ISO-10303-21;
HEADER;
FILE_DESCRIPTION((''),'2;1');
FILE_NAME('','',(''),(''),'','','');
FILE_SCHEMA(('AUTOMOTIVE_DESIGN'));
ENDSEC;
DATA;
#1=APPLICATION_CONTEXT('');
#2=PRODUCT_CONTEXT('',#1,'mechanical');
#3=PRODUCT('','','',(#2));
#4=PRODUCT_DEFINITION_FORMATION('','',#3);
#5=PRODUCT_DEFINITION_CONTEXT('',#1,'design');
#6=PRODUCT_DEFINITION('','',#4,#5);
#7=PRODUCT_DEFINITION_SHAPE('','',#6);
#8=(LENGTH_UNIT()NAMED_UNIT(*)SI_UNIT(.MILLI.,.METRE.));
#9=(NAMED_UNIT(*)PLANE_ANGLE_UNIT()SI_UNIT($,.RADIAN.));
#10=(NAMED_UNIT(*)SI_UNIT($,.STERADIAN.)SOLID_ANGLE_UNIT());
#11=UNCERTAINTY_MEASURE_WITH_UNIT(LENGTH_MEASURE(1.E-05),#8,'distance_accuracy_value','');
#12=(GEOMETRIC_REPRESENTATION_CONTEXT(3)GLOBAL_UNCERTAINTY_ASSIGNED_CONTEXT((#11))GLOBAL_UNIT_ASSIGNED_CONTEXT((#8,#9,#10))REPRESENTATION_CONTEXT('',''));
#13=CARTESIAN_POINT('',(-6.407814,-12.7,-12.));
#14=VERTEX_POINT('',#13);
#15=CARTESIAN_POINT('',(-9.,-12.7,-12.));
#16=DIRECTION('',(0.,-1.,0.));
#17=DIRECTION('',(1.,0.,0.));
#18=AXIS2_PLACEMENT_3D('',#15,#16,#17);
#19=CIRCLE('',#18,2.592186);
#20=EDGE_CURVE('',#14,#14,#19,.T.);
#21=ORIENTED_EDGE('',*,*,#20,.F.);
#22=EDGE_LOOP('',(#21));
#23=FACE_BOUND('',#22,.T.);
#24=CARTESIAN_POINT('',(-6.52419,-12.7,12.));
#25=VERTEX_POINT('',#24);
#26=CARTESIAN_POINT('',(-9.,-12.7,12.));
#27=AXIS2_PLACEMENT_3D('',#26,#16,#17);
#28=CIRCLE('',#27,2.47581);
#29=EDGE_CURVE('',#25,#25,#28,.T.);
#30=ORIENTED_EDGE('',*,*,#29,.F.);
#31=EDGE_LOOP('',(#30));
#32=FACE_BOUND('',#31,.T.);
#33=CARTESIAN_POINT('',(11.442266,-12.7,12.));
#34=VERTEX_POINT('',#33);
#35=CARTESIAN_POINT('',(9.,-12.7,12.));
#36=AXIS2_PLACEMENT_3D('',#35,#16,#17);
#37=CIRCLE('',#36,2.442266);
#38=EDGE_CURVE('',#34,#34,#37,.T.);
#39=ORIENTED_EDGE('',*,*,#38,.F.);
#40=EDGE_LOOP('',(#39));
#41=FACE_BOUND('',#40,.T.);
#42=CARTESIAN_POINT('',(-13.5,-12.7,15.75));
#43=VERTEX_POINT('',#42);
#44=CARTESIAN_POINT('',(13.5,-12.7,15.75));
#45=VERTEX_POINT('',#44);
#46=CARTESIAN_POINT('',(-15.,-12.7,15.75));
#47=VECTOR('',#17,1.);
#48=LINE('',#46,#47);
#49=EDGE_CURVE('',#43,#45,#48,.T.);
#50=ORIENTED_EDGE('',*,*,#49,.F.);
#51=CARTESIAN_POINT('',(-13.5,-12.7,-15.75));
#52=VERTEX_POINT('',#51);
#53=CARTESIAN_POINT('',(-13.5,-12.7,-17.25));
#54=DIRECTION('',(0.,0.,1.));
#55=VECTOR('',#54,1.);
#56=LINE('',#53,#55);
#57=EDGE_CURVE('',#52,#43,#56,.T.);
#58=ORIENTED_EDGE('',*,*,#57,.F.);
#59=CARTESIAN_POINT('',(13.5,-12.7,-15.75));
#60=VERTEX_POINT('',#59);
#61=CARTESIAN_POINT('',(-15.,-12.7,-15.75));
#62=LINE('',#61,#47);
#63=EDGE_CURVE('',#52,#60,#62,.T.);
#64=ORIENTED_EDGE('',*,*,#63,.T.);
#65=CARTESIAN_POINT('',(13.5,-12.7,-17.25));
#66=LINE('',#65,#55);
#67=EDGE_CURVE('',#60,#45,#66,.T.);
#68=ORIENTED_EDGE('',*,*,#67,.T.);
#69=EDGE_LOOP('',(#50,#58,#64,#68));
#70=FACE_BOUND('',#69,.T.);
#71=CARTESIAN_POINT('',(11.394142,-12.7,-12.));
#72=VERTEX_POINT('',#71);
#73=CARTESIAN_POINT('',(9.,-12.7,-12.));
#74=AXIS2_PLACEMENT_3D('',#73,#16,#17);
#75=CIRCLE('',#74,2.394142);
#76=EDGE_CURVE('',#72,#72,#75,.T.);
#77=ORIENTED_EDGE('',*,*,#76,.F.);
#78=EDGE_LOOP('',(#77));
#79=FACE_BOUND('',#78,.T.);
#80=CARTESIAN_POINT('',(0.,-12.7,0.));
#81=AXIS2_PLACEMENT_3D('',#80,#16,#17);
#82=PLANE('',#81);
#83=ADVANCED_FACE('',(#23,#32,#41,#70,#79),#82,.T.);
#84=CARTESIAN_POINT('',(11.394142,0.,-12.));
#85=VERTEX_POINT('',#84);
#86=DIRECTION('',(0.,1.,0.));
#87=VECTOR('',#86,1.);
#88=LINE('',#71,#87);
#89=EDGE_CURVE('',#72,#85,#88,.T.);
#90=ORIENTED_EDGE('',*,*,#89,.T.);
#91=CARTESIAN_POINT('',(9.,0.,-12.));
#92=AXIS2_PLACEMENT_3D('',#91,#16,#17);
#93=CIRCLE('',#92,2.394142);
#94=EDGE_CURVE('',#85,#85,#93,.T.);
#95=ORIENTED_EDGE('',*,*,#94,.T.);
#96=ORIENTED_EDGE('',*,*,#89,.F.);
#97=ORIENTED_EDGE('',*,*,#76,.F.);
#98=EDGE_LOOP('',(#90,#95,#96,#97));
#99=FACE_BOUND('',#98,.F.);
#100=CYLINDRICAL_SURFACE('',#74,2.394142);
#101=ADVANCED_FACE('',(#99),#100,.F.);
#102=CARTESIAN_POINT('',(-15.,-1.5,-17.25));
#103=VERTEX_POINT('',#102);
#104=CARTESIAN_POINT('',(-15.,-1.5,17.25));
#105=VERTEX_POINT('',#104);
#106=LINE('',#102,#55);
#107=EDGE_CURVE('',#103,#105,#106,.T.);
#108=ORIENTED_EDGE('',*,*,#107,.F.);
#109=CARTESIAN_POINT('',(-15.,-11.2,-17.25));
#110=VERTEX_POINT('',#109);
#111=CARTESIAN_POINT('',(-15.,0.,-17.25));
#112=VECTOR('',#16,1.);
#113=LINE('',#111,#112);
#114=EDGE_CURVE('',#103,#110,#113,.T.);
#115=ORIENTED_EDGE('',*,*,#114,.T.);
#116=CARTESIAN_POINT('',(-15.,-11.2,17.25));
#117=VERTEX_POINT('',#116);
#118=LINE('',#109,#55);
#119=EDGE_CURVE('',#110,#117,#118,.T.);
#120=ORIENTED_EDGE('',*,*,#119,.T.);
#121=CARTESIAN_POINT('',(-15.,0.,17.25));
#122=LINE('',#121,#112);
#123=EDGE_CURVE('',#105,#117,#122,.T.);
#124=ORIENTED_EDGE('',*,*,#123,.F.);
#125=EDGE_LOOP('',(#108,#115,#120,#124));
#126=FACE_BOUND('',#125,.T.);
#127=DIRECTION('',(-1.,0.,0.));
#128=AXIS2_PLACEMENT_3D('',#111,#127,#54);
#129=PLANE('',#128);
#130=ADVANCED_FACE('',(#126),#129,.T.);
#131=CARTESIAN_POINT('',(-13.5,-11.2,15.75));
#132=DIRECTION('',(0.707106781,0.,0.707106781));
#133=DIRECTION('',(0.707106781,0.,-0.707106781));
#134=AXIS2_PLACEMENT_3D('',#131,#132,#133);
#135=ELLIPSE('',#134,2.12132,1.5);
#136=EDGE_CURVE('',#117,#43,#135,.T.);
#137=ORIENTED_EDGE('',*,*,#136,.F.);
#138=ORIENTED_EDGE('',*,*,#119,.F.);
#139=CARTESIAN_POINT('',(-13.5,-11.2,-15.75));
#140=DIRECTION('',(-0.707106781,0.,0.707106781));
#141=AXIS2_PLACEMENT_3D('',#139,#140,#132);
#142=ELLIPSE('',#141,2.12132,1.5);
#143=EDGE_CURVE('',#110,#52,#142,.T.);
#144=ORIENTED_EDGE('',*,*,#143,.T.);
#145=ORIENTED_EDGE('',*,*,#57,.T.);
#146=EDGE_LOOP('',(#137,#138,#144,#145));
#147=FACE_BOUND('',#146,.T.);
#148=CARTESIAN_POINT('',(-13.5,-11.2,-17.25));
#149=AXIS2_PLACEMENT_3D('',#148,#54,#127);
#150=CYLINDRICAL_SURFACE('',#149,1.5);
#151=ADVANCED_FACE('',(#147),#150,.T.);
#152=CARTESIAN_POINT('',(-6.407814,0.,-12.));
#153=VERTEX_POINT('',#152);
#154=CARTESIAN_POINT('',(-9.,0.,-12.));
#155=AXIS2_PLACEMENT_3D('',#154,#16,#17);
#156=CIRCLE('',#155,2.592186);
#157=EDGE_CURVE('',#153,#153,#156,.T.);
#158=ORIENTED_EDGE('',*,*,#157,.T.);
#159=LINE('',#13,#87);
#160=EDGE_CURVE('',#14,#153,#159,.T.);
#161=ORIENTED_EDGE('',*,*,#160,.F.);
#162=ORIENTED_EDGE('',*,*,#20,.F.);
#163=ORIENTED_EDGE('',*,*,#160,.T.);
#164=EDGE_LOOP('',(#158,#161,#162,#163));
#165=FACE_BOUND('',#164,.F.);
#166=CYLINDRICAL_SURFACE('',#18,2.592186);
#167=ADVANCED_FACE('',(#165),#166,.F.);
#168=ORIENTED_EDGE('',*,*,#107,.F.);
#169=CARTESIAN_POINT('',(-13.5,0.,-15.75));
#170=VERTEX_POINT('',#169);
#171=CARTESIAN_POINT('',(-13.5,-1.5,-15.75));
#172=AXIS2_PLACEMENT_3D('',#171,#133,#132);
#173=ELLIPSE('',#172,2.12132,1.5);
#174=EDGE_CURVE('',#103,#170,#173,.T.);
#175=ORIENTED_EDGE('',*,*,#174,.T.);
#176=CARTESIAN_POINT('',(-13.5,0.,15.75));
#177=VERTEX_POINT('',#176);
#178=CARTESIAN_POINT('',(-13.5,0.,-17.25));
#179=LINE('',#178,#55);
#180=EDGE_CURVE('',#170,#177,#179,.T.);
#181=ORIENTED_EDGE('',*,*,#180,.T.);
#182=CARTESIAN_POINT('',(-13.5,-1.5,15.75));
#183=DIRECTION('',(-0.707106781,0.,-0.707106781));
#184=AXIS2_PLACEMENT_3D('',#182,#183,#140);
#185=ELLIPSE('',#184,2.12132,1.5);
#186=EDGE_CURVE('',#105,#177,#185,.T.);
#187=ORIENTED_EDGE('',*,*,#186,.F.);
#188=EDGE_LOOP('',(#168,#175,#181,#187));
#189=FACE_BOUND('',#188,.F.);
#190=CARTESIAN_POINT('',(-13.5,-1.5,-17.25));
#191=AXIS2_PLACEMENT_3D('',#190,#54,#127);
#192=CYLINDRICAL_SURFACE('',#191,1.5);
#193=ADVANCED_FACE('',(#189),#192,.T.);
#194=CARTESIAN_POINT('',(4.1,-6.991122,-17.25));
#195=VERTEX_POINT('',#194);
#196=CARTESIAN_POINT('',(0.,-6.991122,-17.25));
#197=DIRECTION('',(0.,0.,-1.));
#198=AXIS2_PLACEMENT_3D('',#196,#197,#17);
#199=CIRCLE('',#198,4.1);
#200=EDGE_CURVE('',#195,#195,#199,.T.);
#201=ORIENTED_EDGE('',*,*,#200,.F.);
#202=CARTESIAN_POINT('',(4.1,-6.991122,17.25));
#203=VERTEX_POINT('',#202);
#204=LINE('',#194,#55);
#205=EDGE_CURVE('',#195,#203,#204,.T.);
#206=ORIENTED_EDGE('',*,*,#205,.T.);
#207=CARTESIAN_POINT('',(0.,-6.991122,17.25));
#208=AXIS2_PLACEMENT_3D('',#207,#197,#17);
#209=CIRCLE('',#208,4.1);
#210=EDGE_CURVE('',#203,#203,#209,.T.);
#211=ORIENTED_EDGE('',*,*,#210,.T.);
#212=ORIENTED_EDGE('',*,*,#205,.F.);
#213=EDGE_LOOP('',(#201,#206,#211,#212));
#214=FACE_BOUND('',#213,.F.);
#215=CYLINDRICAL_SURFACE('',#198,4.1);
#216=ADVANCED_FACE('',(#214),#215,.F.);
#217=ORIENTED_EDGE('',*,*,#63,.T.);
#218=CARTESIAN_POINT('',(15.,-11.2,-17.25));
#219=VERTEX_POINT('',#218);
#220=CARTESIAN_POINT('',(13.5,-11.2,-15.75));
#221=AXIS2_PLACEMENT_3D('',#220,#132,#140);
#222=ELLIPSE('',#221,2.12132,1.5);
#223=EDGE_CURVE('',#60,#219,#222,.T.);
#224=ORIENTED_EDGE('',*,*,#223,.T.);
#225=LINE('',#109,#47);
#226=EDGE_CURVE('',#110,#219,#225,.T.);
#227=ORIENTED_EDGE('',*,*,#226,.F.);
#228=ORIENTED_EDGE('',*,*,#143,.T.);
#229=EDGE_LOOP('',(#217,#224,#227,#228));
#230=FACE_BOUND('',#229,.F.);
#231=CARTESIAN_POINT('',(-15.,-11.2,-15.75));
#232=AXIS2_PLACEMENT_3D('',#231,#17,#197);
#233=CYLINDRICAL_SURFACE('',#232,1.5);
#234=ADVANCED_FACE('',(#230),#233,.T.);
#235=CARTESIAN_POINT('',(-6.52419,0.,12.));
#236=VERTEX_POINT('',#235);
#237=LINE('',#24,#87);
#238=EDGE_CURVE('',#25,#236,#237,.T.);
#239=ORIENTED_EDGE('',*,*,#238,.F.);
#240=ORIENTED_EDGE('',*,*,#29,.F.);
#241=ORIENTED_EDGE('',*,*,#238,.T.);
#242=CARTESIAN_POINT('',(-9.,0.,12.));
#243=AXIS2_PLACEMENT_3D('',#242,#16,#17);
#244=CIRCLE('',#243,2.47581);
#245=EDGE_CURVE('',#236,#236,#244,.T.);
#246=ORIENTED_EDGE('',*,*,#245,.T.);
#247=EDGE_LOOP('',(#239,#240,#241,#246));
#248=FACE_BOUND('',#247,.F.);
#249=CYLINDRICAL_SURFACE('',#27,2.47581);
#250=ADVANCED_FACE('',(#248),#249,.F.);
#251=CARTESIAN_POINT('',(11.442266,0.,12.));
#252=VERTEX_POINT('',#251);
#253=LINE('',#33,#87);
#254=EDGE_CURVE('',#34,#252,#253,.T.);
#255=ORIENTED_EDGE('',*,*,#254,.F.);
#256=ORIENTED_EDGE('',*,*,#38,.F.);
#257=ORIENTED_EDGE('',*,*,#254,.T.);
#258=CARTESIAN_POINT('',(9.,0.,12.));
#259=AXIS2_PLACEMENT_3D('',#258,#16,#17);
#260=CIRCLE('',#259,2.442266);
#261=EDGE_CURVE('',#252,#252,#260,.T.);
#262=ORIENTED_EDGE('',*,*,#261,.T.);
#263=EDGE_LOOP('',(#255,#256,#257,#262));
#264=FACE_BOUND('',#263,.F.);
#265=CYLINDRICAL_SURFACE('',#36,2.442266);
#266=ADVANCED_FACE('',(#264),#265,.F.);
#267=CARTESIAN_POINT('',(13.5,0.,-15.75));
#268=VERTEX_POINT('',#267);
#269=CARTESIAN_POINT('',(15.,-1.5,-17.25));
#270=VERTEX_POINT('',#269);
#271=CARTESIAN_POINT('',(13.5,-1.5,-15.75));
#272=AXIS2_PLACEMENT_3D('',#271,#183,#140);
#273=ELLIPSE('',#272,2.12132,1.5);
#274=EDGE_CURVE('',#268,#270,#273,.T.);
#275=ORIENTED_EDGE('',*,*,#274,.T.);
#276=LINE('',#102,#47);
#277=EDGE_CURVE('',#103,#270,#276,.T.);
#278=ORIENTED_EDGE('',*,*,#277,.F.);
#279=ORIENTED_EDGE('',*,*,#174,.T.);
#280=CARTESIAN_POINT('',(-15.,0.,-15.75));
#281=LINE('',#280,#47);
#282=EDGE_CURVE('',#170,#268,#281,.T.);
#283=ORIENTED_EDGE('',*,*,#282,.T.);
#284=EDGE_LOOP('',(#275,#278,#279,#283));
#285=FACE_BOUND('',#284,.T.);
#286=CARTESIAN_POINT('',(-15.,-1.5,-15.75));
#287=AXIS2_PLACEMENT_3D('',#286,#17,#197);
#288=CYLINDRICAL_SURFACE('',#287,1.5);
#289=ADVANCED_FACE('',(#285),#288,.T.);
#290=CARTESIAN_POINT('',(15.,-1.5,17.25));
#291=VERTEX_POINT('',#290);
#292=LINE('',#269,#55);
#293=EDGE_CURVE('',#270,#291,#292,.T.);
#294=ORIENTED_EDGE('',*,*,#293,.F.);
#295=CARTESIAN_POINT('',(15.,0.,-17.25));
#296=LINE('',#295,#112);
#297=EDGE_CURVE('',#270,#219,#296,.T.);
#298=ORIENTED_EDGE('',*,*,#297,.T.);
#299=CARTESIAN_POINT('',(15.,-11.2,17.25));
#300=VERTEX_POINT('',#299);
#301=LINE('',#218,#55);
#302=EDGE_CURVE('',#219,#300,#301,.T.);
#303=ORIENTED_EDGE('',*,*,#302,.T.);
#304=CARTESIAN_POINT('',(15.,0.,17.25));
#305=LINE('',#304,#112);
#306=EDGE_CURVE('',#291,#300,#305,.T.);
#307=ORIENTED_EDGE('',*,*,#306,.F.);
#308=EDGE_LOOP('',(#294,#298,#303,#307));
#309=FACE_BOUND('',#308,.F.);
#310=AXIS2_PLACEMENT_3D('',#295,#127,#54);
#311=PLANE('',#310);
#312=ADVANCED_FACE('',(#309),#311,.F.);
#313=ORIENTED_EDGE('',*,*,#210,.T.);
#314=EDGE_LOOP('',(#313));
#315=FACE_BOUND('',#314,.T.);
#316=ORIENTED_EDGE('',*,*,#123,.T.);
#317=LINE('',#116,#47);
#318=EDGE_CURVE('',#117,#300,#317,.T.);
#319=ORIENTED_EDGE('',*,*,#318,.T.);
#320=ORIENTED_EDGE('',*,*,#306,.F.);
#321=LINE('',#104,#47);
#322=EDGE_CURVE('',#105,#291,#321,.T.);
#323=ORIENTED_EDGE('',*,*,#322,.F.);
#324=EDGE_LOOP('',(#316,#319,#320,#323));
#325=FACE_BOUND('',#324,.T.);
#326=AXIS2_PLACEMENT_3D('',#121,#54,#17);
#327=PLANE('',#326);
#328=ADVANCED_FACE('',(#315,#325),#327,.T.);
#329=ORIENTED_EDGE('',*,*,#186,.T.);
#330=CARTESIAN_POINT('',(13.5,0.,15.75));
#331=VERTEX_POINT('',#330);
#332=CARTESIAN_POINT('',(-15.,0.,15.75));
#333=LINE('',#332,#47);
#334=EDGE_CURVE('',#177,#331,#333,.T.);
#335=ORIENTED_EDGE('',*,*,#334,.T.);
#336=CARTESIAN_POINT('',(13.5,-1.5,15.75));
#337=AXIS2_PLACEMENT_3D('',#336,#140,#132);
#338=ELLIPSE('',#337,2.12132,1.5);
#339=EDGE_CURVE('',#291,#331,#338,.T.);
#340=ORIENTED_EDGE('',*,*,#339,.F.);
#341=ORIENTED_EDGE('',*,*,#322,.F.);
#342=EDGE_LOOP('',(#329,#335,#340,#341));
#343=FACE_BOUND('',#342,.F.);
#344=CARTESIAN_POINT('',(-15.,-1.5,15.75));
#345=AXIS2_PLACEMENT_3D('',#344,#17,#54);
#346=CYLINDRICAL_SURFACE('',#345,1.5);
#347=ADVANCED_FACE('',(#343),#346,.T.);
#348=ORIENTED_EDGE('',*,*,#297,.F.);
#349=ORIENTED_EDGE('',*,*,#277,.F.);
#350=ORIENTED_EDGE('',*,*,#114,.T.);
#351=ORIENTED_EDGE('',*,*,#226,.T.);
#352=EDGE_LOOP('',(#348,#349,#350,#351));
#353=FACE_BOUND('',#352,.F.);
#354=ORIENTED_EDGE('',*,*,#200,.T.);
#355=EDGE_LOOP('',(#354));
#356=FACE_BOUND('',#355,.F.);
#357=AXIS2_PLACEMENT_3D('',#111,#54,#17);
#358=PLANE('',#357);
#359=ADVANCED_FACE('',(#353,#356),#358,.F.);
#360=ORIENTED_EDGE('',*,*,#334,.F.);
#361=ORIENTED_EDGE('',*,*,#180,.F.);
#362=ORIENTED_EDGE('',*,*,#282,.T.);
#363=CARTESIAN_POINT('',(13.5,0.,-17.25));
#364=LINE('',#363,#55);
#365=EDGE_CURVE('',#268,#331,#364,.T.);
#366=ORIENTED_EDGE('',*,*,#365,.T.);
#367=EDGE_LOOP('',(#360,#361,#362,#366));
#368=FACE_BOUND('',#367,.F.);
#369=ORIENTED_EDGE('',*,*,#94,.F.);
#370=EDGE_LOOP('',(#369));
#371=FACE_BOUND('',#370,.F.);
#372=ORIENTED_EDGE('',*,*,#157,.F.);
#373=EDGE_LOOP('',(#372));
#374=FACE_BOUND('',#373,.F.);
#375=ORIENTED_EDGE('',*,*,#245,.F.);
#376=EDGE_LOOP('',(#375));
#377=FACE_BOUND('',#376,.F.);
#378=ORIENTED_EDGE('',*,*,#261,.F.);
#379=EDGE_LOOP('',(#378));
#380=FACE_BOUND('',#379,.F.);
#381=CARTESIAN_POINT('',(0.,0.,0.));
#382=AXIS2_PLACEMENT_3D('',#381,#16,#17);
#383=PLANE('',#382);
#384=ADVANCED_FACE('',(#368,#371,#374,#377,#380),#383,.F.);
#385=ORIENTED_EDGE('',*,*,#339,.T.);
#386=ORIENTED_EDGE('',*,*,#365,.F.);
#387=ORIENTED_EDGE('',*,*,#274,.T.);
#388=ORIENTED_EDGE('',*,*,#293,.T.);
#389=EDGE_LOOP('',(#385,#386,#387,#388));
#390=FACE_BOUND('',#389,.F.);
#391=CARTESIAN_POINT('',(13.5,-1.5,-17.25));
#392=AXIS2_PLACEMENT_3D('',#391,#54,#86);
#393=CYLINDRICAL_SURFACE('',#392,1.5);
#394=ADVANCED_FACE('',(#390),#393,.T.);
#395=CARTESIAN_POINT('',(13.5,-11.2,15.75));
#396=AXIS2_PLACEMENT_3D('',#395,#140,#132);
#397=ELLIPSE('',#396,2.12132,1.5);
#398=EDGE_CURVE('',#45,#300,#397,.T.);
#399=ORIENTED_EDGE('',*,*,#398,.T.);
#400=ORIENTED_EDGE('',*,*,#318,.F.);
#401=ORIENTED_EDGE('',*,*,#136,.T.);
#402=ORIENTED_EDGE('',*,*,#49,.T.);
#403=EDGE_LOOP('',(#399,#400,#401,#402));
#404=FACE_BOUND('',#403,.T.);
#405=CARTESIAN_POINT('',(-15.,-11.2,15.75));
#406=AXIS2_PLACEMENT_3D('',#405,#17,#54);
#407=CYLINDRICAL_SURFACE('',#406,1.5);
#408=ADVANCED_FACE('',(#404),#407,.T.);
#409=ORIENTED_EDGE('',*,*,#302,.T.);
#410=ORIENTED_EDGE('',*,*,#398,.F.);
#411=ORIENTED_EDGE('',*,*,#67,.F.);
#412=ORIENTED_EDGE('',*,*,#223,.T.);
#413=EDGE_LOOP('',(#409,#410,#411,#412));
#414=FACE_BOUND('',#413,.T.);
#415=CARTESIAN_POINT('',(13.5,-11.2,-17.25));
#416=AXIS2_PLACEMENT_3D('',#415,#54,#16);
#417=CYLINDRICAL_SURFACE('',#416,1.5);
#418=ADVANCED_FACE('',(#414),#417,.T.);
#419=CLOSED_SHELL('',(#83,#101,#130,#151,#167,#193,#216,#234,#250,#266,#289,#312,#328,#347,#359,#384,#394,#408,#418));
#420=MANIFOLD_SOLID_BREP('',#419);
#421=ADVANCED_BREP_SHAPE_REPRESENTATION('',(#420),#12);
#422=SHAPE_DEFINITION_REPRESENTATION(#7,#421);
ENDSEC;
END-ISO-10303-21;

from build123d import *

# Parameters (mm, degrees)
F0_W     = 30
F0_H     = 34.5
F1_DEPTH = 12.7
F2_R     = 2.47581
F2_R_2   = 2.592186
F2_R_3   = 2.442266
F2_R_4   = 2.394142
F3_DEPTH = 12.701
F4_R     = 1.5
F5_R     = 4.1
F6_DEPTH = 34.501


with BuildPart() as f1:
    # F0 (on Front) → F1 (new body)
    with BuildSketch(Plane.XZ):
        Rectangle(F0_W, F0_H)
    extrude(amount=F1_DEPTH)

    # F2 (on face) → F3 (cut, through all)
    with BuildSketch(Plane.XZ.offset(12.7)):
        with Locations((-9, 12)):
            Circle(F2_R)
        with Locations((-9, -12)):
            Circle(F2_R_2)
        with Locations((9, 12)):
            Circle(F2_R_3)
        with Locations((9, -12)):
            Circle(F2_R_4)
    extrude(amount=-F3_DEPTH, mode=Mode.SUBTRACT)

    # F4
    f4_edges = [f1.edges().sort_by_distance(p)[0] for p in [
        (-15, 0, 0),
        (0, 0, 17.25),
        (15, 0, 0),
        (0, 0, -17.25),
        (15, -12.7, 0),
        (0, -12.7, 17.25),
        (-15, -12.7, 0),
        (0, -12.7, -17.25),
    ]]
    fillet(f4_edges, radius=F4_R)

    # F5 (on face) → F6 (cut, through all)
    with BuildSketch(Plane(origin=(0, 0, -17.25), x_dir=(1, 0, 0), z_dir=(0, 0, -1))):
        with Locations((0, 6.991122)):
            Circle(F5_R)
    extrude(amount=-F6_DEPTH, mode=Mode.SUBTRACT)


solid = f1.part
